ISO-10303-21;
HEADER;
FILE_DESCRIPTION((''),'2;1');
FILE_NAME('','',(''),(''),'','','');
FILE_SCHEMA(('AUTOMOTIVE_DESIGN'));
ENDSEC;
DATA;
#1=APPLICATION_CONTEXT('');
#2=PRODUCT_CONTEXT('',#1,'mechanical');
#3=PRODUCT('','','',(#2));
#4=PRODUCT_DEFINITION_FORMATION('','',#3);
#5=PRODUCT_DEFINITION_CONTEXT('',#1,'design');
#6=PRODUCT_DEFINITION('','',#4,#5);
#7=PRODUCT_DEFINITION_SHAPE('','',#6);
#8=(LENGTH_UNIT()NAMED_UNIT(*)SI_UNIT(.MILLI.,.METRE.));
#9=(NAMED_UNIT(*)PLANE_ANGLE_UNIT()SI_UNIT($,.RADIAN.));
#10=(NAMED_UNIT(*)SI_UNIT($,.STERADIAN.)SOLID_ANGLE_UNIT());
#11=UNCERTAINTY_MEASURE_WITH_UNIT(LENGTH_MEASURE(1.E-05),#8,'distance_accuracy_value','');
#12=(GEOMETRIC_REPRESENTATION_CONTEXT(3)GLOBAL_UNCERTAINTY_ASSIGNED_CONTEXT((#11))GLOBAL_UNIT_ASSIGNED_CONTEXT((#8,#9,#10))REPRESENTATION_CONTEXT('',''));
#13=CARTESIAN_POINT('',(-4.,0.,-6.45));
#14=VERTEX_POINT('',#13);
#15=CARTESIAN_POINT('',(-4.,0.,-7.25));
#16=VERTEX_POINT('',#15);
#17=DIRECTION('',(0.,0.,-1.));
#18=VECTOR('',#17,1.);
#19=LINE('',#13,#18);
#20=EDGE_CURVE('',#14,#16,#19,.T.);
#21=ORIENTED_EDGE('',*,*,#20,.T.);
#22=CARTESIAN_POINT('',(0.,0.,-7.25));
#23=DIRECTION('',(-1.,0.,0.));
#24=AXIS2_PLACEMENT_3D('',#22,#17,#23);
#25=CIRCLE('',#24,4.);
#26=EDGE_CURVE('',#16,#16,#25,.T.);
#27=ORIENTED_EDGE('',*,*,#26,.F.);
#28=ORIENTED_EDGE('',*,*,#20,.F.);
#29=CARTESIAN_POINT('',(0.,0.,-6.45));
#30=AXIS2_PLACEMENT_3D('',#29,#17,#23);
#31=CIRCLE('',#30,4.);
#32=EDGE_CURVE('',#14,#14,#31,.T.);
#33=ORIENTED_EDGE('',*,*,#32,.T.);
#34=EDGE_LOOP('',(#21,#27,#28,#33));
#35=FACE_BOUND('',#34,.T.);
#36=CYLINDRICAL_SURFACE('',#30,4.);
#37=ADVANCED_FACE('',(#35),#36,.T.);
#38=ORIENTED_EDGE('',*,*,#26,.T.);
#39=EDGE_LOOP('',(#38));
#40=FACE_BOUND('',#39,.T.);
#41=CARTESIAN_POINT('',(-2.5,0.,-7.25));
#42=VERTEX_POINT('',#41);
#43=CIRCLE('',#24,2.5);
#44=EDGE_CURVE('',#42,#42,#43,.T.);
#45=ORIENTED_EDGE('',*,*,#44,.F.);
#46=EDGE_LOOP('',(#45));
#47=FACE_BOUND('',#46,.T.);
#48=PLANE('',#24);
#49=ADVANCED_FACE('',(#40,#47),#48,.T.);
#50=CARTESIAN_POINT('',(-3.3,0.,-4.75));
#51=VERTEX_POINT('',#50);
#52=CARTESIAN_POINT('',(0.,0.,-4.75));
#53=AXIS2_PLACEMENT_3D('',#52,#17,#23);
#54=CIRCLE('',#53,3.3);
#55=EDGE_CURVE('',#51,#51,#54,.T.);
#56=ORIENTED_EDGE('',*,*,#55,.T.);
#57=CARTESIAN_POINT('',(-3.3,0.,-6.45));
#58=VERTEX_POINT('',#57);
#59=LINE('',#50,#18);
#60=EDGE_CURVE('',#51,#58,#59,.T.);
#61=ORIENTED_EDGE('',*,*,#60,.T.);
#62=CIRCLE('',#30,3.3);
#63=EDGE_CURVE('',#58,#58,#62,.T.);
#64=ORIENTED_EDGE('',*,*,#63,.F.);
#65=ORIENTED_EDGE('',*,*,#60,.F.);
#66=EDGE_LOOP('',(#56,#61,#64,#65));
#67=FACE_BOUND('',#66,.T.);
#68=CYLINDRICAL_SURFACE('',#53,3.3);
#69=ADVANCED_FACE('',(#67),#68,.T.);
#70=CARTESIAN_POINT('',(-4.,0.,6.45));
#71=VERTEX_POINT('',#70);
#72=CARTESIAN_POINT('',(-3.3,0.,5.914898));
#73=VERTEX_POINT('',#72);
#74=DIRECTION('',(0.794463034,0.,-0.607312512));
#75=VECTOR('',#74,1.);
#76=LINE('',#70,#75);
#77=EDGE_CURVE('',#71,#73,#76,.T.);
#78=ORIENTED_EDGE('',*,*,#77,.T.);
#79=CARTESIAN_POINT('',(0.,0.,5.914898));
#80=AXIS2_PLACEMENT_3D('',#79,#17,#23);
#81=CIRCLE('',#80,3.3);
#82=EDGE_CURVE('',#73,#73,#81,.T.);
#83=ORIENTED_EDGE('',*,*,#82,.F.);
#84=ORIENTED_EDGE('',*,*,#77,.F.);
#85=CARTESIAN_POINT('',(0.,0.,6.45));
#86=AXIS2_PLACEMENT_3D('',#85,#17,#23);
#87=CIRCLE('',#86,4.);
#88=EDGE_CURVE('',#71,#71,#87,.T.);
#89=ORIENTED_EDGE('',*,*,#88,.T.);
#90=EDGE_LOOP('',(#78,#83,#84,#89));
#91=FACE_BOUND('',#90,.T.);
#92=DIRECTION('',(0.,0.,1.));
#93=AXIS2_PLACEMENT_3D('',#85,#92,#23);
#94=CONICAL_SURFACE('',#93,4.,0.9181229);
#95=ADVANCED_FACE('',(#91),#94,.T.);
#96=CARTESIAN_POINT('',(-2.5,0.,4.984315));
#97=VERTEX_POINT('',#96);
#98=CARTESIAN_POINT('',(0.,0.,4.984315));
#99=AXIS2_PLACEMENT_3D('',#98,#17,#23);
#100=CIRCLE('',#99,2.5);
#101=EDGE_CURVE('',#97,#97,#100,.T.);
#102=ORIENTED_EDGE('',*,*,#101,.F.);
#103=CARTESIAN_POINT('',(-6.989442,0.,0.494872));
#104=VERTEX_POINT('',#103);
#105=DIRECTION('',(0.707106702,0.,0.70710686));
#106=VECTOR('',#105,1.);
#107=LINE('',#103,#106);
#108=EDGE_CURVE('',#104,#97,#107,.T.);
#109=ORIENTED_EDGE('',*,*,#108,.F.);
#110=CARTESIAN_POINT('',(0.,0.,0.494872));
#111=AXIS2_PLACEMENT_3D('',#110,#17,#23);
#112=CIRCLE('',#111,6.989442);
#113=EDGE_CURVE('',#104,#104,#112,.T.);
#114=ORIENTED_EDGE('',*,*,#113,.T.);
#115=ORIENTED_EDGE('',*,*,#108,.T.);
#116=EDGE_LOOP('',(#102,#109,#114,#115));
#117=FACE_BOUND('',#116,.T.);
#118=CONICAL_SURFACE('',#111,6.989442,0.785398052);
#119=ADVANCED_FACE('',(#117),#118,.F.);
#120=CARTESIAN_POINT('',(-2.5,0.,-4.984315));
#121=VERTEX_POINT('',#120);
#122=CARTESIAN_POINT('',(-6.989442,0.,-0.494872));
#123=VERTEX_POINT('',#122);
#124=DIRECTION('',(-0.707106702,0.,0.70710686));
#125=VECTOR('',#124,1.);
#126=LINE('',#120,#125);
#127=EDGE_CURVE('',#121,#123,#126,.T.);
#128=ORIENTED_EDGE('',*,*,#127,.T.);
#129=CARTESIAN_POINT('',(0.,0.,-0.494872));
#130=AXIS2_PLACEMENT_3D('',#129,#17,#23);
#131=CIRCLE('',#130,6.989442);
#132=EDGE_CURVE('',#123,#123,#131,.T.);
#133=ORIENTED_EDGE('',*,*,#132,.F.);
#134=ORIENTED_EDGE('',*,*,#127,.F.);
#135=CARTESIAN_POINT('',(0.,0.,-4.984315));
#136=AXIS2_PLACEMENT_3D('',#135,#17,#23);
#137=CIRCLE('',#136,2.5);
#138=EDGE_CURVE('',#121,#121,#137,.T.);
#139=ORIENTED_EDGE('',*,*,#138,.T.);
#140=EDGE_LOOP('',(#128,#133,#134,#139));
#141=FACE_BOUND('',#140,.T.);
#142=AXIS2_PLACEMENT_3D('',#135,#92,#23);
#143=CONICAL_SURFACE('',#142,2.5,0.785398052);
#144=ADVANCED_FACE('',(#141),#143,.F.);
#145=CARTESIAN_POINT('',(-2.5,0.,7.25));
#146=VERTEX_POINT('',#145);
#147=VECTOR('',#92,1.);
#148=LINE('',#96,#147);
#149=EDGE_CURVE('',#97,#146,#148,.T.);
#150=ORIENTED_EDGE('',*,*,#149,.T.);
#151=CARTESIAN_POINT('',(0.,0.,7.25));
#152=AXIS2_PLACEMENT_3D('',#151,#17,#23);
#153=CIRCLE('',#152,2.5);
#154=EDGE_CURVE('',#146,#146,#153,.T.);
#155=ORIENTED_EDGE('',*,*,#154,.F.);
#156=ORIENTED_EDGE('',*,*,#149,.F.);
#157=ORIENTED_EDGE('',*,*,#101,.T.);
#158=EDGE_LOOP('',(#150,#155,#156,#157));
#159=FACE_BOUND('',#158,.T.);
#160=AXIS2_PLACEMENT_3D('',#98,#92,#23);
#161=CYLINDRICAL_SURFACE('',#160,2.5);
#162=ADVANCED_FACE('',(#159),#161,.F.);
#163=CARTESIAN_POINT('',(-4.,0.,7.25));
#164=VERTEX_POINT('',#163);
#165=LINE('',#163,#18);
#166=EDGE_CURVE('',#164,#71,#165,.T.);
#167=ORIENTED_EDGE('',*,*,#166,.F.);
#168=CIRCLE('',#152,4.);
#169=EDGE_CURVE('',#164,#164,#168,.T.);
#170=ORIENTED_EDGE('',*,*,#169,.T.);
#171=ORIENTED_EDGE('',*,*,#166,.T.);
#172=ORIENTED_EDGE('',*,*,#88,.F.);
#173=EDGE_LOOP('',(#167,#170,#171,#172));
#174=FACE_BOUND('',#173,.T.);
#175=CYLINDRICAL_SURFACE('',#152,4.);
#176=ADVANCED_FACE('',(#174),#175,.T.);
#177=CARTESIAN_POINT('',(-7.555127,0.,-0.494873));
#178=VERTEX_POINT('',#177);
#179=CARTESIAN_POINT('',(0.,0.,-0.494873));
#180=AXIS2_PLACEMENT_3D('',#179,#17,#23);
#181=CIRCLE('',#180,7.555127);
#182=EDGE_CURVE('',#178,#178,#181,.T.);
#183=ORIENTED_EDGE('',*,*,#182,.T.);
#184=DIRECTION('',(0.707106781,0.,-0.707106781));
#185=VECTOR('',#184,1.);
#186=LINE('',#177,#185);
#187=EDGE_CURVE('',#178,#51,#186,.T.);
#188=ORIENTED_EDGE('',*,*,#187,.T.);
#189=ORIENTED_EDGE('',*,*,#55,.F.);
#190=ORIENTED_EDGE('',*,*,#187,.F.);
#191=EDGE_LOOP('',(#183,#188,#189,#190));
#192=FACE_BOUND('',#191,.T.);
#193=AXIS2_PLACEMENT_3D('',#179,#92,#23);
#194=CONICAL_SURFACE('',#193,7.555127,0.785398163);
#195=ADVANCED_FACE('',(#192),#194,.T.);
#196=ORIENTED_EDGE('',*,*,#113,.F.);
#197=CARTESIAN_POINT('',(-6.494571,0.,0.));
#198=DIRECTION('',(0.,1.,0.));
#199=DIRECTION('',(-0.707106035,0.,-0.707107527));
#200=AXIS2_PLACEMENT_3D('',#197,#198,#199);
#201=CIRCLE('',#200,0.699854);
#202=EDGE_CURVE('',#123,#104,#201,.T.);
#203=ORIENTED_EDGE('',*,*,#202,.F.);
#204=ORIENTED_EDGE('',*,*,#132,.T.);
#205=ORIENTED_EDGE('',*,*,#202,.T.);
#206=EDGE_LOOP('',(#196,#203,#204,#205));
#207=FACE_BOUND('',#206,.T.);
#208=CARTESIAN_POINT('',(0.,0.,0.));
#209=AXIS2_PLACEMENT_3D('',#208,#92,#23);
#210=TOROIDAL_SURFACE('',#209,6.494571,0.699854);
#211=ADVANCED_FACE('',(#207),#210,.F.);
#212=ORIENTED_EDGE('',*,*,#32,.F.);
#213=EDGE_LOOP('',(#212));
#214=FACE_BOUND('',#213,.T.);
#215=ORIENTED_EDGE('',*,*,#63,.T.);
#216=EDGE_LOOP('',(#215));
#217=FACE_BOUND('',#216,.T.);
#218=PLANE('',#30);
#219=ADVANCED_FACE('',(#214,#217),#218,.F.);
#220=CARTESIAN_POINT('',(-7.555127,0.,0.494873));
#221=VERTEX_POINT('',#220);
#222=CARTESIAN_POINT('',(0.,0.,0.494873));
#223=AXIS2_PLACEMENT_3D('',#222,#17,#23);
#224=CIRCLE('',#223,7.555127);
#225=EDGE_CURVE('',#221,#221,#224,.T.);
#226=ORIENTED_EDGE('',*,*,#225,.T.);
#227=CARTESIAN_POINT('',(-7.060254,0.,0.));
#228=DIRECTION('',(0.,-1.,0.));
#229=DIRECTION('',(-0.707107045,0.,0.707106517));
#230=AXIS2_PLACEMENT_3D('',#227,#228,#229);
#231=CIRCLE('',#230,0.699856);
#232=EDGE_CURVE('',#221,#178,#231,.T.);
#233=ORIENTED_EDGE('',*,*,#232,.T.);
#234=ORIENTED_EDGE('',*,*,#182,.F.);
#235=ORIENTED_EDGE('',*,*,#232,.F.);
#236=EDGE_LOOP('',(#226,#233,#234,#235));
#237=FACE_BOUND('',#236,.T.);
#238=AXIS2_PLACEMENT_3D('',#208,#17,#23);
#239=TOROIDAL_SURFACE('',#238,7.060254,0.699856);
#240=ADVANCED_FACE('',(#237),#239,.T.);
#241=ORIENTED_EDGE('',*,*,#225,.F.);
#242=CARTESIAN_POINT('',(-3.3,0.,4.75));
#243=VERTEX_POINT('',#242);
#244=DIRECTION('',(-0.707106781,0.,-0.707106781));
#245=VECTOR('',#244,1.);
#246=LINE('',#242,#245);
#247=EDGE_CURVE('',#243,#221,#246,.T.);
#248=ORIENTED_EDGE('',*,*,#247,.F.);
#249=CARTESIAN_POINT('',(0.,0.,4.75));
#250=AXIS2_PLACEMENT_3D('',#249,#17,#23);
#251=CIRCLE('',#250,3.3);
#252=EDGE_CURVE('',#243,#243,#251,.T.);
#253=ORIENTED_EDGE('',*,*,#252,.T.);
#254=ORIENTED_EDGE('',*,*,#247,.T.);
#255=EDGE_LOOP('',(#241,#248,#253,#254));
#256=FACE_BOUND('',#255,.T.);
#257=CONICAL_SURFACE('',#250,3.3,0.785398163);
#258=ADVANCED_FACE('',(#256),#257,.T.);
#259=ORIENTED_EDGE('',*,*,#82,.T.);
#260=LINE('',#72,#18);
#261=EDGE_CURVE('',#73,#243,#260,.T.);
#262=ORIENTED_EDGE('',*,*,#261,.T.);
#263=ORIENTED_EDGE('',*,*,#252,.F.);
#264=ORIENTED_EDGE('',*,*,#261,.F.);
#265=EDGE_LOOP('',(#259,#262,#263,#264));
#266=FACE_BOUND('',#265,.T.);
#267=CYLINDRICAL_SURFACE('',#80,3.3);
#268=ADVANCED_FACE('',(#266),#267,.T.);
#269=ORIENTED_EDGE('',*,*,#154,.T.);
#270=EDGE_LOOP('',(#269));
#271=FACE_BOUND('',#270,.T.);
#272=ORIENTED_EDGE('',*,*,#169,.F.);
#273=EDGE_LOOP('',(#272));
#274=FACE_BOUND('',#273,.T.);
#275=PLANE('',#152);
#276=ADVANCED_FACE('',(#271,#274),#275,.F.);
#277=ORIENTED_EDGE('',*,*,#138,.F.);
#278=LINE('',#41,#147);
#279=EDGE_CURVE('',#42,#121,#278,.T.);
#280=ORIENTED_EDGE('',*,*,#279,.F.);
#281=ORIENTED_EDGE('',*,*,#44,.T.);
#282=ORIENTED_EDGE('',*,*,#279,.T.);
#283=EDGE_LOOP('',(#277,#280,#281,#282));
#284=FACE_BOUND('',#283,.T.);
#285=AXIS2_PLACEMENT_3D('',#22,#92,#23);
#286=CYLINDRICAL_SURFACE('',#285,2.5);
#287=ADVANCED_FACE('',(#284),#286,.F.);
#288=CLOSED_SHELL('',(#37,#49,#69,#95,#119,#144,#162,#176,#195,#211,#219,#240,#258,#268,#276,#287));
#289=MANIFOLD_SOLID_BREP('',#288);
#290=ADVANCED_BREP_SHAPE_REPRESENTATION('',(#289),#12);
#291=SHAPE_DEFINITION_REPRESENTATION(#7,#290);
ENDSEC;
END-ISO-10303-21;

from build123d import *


with BuildPart() as f1:
    # F0 (on Front) → F1 (revolve)
    with BuildSketch(Plane.XZ):
        with BuildLine():
            Line((-2.5, 4.984315), (-2.5, 7.25))
            Line((-2.5, 7.25), (-4, 7.25))
            Line((-4, 7.25), (-4, 6.45))
            Line((-4, 6.45), (-3.3, 5.914898))
            Line((-3.3, 5.914898), (-3.3, 4.75))
            Line((-3.3, 4.75), (-7.555127, 0.494873))
            ThreePointArc((-7.555127, 0.494873), (-7.76011, 0), (-7.555127, -0.494873))
            Line((-7.555127, -0.494873), (-3.3, -4.75))
            Line((-3.3, -4.75), (-3.3, -6.45))
            Line((-3.3, -6.45), (-4, -6.45))
            Line((-4, -6.45), (-4, -7.25))
            Line((-4, -7.25), (-2.5, -7.25))
            Line((-2.5, -7.25), (-2.5, -4.984315))
            Line((-2.5, -4.984315), (-6.989442, -0.494872))
            ThreePointArc((-6.989442, -0.494872), (-7.194425, 0), (-6.989442, 0.494872))
            Line((-6.989442, 0.494872), (-2.5, 4.984315))
        make_face()
    revolve(axis=Axis((0, 0, -0.799421), (0, 0, -1)))


solid = f1.part
